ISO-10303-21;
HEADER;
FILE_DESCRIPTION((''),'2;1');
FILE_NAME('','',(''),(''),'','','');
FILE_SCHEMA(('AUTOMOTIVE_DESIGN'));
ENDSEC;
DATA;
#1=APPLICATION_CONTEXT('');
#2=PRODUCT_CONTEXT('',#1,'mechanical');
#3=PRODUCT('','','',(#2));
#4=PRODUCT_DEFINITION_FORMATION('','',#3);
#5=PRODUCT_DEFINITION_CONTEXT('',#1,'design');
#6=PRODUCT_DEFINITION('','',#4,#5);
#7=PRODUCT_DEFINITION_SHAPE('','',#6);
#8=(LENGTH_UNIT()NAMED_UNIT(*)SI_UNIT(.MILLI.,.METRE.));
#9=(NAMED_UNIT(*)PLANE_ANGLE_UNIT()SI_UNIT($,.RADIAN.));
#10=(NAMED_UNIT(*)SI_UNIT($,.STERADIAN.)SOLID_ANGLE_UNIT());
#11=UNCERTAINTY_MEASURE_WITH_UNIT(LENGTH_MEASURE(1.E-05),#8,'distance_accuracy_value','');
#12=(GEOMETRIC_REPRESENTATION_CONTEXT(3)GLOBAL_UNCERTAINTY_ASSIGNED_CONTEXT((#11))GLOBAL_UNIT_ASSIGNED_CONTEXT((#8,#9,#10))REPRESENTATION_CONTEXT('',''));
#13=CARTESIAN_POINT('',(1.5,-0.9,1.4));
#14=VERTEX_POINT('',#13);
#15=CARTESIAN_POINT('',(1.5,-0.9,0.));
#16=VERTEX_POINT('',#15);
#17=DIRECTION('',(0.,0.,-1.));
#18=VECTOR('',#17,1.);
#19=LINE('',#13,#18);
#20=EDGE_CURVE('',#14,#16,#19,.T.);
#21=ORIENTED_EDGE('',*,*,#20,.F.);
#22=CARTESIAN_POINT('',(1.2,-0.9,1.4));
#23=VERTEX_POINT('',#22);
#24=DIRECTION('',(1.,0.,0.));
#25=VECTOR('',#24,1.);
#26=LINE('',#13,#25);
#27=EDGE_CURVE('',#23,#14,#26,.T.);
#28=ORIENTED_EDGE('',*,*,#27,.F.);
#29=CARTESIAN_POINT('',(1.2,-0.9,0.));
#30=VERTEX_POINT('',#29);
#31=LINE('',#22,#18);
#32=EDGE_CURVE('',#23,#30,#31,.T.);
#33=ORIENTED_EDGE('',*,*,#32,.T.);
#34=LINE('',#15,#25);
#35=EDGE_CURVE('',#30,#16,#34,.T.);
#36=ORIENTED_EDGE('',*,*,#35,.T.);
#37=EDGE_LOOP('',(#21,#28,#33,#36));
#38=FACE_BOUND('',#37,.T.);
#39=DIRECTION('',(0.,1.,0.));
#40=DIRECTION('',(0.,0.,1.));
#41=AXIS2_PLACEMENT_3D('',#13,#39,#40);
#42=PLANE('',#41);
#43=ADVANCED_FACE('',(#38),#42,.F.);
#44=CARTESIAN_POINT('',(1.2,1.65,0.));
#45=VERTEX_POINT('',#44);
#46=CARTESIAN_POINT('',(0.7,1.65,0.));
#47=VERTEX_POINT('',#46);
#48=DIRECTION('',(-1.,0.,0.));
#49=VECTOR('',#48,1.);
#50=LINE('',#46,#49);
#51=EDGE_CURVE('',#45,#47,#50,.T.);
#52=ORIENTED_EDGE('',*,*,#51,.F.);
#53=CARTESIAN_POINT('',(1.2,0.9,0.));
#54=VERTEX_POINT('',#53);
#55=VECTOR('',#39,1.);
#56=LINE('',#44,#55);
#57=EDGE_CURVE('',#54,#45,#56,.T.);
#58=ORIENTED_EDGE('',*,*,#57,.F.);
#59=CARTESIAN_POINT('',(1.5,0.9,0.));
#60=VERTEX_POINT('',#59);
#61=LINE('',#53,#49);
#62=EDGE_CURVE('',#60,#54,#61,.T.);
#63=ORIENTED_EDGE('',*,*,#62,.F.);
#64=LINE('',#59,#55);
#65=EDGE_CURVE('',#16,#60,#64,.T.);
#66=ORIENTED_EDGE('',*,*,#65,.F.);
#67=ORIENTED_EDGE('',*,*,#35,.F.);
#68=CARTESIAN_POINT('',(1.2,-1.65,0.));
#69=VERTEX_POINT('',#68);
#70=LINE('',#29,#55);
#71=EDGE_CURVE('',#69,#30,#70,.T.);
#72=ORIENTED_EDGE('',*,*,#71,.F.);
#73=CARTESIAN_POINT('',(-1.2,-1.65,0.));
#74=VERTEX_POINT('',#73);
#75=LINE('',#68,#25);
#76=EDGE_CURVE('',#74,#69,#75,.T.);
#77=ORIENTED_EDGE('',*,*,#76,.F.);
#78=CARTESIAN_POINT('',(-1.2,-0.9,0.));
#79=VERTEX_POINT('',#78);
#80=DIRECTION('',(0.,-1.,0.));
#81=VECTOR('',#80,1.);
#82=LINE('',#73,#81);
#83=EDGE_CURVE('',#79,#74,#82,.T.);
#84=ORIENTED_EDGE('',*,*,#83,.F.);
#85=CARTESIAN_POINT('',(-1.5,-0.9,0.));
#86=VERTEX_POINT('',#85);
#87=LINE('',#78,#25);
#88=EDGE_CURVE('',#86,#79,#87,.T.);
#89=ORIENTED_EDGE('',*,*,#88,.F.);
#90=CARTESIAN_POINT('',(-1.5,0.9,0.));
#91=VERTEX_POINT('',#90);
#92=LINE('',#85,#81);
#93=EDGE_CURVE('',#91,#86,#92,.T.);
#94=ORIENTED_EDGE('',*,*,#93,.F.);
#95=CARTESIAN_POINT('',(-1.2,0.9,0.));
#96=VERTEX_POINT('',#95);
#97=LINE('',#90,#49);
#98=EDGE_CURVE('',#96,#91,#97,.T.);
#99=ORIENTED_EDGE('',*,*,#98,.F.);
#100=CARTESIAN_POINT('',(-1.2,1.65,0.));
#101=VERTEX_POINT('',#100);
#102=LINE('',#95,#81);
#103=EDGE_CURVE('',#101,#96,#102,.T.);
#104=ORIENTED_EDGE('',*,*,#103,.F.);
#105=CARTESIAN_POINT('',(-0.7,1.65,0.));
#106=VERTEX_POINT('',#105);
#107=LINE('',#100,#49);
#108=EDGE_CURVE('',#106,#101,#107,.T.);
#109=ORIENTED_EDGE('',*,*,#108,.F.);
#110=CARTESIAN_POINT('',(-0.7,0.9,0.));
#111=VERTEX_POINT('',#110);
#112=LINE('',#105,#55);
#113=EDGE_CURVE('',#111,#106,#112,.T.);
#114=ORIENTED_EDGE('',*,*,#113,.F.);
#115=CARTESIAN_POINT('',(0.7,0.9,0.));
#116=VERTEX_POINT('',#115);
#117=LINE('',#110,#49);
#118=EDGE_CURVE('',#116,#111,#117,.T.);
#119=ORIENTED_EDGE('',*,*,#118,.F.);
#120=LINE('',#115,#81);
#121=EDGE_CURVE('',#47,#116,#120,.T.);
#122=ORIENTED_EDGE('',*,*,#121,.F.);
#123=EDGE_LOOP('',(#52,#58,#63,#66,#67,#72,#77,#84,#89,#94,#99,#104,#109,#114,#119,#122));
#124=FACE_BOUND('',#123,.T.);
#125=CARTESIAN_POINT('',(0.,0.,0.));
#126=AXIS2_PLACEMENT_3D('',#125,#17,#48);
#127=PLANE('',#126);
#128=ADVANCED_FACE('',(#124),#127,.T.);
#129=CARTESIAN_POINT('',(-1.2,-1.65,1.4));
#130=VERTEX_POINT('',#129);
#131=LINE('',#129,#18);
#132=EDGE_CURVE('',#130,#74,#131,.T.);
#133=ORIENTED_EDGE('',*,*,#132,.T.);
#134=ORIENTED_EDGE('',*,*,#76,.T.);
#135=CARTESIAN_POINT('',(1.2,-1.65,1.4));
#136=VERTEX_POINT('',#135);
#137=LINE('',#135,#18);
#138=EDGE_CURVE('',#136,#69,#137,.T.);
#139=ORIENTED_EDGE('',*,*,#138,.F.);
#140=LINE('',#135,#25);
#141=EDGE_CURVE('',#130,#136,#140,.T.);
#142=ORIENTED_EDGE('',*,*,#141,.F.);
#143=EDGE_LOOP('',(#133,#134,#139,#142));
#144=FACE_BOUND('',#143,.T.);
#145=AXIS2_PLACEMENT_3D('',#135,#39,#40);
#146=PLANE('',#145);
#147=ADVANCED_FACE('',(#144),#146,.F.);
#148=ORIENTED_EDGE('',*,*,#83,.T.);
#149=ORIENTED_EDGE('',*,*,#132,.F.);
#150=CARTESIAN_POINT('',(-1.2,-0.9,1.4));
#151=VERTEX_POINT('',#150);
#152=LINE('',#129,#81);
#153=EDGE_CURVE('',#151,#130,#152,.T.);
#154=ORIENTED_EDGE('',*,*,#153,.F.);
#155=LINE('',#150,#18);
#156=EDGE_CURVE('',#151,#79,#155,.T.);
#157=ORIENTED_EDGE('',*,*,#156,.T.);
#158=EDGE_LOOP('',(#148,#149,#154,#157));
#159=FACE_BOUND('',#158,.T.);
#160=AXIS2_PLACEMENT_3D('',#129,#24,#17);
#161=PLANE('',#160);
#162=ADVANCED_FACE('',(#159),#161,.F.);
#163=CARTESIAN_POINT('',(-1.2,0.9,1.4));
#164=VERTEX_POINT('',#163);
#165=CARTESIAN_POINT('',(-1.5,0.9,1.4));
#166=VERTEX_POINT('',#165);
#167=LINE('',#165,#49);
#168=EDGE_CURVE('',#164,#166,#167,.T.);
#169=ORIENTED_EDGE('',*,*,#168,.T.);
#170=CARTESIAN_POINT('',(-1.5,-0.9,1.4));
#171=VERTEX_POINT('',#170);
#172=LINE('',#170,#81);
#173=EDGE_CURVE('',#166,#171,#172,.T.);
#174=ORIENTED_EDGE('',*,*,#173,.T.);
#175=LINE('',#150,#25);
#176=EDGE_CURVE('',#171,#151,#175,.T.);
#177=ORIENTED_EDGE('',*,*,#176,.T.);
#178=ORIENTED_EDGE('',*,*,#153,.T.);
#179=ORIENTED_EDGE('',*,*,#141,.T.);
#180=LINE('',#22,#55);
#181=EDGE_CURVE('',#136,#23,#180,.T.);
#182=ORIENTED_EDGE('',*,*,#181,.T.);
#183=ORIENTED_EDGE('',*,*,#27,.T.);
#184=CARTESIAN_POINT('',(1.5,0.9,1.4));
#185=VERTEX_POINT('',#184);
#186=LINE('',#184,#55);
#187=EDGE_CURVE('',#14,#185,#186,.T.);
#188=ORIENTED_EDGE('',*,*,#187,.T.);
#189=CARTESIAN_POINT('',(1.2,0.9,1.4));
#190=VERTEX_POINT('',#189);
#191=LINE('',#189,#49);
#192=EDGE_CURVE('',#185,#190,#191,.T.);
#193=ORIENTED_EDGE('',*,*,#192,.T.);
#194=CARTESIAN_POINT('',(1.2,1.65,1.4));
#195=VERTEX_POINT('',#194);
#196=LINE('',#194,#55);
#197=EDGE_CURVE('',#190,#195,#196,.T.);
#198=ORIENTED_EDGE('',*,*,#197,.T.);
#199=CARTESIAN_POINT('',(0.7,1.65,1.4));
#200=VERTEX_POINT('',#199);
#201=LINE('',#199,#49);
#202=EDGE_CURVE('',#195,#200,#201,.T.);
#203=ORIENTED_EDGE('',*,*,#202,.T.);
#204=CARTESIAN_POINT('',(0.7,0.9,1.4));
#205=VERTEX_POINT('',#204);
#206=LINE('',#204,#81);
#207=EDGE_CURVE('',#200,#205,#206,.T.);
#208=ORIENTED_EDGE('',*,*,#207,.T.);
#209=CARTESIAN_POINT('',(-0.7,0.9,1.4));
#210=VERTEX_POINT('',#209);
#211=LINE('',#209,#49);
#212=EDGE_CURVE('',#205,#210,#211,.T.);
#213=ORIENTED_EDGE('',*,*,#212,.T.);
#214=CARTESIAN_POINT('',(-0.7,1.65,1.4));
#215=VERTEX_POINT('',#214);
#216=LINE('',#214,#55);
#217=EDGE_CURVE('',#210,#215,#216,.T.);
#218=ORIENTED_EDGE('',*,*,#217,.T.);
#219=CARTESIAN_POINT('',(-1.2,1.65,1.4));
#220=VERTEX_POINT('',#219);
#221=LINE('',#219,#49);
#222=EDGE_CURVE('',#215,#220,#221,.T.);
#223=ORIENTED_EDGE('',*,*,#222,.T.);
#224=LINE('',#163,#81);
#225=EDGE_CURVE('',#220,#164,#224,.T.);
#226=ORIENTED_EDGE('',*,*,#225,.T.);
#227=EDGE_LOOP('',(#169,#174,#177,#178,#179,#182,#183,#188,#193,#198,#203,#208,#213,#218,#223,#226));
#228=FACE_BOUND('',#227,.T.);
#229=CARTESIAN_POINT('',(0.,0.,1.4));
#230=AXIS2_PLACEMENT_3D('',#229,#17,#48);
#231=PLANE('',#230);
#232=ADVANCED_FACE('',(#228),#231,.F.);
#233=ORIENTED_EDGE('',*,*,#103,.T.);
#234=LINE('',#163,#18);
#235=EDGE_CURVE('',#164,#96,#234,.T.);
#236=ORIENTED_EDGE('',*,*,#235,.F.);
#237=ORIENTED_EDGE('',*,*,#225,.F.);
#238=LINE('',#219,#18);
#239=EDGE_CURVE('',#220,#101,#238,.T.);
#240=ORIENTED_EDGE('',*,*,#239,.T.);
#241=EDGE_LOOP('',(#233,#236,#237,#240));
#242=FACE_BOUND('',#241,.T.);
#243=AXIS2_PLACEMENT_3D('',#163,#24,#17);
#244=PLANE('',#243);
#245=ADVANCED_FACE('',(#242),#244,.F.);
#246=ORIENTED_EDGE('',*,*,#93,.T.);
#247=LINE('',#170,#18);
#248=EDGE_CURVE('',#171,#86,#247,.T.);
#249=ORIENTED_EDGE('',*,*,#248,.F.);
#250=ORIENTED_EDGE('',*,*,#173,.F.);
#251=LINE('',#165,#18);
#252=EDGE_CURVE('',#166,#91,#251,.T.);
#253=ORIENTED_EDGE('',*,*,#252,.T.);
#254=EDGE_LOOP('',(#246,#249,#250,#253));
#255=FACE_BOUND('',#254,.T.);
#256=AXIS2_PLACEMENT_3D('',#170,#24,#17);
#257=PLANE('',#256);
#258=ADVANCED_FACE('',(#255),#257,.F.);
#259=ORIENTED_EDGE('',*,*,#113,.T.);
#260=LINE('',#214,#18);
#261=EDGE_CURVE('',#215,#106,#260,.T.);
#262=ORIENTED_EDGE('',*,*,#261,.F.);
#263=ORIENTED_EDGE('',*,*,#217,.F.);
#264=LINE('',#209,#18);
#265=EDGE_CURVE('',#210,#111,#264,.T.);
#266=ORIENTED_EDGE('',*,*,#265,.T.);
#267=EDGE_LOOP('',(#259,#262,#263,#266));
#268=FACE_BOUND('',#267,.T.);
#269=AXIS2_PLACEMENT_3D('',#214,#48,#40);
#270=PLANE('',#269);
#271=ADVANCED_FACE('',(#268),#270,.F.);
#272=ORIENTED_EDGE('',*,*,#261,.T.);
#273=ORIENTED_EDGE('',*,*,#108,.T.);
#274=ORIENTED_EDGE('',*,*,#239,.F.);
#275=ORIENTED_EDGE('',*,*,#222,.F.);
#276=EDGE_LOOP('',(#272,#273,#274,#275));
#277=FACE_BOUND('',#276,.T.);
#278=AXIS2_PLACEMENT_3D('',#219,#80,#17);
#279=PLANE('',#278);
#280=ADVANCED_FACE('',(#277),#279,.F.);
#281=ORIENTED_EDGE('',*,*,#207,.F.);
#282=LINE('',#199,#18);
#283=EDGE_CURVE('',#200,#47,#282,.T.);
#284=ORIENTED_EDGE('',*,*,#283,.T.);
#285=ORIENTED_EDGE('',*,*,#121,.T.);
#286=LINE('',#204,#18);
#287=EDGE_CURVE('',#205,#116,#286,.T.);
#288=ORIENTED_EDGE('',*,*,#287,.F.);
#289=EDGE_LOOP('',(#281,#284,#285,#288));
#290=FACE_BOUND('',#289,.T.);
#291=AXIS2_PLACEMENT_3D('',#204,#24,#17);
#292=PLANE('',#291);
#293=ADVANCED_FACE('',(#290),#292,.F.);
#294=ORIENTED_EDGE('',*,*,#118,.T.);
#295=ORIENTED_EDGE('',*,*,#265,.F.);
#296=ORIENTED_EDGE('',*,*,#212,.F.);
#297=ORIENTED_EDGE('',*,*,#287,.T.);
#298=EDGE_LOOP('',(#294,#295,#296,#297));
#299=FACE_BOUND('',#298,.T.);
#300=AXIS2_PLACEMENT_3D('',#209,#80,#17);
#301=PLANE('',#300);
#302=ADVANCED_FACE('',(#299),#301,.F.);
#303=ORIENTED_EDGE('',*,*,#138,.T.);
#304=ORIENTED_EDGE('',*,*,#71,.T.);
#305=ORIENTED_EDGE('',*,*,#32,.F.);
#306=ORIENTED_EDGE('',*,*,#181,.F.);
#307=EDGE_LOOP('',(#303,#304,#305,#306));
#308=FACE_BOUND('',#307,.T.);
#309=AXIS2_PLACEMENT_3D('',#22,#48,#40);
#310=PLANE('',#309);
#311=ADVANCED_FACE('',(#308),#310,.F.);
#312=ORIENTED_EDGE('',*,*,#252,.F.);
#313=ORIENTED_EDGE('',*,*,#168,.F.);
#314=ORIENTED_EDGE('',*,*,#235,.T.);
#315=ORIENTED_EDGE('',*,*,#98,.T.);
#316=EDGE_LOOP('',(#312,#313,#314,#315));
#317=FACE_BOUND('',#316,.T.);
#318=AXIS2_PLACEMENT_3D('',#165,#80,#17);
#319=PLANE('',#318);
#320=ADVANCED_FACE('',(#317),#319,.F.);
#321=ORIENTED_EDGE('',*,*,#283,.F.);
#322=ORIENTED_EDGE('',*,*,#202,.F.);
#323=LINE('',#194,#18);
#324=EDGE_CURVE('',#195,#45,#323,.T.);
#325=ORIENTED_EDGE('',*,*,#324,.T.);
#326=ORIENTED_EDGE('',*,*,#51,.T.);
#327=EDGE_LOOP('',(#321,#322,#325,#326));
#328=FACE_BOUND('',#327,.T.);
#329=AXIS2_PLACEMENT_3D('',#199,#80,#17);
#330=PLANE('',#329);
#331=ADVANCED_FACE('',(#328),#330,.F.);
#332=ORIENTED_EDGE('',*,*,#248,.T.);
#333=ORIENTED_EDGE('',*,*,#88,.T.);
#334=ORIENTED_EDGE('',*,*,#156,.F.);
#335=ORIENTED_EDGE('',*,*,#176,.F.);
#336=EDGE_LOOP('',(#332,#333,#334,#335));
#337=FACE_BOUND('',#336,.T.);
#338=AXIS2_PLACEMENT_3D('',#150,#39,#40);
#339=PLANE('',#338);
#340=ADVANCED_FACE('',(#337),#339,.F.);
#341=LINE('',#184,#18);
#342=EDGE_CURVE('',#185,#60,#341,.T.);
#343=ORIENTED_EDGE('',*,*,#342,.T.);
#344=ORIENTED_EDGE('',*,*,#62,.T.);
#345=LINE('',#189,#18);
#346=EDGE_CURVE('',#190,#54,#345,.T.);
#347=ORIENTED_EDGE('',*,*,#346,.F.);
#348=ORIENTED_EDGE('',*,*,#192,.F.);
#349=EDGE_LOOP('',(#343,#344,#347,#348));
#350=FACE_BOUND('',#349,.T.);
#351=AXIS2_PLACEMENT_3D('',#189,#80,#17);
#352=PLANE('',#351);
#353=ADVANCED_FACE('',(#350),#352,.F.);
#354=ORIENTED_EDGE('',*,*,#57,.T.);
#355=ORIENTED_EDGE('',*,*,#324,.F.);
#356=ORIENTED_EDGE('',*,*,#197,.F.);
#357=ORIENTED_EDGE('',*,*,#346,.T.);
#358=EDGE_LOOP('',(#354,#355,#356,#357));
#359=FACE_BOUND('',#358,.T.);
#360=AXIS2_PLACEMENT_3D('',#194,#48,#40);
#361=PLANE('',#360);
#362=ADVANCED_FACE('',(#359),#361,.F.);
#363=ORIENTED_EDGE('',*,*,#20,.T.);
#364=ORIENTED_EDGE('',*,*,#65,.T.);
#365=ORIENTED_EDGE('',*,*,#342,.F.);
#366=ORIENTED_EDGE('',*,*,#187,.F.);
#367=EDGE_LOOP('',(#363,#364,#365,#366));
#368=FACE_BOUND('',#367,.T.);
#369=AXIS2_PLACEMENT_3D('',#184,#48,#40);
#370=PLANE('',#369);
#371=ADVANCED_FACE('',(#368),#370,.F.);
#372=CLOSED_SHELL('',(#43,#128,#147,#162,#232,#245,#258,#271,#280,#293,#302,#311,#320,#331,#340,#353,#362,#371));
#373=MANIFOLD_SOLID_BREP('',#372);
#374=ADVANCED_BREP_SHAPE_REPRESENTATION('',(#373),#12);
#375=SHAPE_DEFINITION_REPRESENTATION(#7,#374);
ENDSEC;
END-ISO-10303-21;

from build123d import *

# Parameters (mm, degrees)
COMPONENT_OUTLINE_DEPTH = 1.4


with BuildPart() as part:
    # 草图1 → Component_Outline (new body)
    with BuildSketch(Plane.XY):
        Polygon((-1.2, -1.65), (-1.2, -0.9), (-1.5, -0.9), (-1.5, 0.9), (-1.2, 0.9), (-1.2, 1.65), (-0.7, 1.65), (-0.7, 0.9), (0.7, 0.9), (0.7, 1.65), (1.2, 1.65), (1.2, 0.9), (1.5, 0.9), (1.5, -0.9), (1.2, -0.9), (1.2, -1.65), align=None)
    extrude(amount=COMPONENT_OUTLINE_DEPTH)


solid = part.part
